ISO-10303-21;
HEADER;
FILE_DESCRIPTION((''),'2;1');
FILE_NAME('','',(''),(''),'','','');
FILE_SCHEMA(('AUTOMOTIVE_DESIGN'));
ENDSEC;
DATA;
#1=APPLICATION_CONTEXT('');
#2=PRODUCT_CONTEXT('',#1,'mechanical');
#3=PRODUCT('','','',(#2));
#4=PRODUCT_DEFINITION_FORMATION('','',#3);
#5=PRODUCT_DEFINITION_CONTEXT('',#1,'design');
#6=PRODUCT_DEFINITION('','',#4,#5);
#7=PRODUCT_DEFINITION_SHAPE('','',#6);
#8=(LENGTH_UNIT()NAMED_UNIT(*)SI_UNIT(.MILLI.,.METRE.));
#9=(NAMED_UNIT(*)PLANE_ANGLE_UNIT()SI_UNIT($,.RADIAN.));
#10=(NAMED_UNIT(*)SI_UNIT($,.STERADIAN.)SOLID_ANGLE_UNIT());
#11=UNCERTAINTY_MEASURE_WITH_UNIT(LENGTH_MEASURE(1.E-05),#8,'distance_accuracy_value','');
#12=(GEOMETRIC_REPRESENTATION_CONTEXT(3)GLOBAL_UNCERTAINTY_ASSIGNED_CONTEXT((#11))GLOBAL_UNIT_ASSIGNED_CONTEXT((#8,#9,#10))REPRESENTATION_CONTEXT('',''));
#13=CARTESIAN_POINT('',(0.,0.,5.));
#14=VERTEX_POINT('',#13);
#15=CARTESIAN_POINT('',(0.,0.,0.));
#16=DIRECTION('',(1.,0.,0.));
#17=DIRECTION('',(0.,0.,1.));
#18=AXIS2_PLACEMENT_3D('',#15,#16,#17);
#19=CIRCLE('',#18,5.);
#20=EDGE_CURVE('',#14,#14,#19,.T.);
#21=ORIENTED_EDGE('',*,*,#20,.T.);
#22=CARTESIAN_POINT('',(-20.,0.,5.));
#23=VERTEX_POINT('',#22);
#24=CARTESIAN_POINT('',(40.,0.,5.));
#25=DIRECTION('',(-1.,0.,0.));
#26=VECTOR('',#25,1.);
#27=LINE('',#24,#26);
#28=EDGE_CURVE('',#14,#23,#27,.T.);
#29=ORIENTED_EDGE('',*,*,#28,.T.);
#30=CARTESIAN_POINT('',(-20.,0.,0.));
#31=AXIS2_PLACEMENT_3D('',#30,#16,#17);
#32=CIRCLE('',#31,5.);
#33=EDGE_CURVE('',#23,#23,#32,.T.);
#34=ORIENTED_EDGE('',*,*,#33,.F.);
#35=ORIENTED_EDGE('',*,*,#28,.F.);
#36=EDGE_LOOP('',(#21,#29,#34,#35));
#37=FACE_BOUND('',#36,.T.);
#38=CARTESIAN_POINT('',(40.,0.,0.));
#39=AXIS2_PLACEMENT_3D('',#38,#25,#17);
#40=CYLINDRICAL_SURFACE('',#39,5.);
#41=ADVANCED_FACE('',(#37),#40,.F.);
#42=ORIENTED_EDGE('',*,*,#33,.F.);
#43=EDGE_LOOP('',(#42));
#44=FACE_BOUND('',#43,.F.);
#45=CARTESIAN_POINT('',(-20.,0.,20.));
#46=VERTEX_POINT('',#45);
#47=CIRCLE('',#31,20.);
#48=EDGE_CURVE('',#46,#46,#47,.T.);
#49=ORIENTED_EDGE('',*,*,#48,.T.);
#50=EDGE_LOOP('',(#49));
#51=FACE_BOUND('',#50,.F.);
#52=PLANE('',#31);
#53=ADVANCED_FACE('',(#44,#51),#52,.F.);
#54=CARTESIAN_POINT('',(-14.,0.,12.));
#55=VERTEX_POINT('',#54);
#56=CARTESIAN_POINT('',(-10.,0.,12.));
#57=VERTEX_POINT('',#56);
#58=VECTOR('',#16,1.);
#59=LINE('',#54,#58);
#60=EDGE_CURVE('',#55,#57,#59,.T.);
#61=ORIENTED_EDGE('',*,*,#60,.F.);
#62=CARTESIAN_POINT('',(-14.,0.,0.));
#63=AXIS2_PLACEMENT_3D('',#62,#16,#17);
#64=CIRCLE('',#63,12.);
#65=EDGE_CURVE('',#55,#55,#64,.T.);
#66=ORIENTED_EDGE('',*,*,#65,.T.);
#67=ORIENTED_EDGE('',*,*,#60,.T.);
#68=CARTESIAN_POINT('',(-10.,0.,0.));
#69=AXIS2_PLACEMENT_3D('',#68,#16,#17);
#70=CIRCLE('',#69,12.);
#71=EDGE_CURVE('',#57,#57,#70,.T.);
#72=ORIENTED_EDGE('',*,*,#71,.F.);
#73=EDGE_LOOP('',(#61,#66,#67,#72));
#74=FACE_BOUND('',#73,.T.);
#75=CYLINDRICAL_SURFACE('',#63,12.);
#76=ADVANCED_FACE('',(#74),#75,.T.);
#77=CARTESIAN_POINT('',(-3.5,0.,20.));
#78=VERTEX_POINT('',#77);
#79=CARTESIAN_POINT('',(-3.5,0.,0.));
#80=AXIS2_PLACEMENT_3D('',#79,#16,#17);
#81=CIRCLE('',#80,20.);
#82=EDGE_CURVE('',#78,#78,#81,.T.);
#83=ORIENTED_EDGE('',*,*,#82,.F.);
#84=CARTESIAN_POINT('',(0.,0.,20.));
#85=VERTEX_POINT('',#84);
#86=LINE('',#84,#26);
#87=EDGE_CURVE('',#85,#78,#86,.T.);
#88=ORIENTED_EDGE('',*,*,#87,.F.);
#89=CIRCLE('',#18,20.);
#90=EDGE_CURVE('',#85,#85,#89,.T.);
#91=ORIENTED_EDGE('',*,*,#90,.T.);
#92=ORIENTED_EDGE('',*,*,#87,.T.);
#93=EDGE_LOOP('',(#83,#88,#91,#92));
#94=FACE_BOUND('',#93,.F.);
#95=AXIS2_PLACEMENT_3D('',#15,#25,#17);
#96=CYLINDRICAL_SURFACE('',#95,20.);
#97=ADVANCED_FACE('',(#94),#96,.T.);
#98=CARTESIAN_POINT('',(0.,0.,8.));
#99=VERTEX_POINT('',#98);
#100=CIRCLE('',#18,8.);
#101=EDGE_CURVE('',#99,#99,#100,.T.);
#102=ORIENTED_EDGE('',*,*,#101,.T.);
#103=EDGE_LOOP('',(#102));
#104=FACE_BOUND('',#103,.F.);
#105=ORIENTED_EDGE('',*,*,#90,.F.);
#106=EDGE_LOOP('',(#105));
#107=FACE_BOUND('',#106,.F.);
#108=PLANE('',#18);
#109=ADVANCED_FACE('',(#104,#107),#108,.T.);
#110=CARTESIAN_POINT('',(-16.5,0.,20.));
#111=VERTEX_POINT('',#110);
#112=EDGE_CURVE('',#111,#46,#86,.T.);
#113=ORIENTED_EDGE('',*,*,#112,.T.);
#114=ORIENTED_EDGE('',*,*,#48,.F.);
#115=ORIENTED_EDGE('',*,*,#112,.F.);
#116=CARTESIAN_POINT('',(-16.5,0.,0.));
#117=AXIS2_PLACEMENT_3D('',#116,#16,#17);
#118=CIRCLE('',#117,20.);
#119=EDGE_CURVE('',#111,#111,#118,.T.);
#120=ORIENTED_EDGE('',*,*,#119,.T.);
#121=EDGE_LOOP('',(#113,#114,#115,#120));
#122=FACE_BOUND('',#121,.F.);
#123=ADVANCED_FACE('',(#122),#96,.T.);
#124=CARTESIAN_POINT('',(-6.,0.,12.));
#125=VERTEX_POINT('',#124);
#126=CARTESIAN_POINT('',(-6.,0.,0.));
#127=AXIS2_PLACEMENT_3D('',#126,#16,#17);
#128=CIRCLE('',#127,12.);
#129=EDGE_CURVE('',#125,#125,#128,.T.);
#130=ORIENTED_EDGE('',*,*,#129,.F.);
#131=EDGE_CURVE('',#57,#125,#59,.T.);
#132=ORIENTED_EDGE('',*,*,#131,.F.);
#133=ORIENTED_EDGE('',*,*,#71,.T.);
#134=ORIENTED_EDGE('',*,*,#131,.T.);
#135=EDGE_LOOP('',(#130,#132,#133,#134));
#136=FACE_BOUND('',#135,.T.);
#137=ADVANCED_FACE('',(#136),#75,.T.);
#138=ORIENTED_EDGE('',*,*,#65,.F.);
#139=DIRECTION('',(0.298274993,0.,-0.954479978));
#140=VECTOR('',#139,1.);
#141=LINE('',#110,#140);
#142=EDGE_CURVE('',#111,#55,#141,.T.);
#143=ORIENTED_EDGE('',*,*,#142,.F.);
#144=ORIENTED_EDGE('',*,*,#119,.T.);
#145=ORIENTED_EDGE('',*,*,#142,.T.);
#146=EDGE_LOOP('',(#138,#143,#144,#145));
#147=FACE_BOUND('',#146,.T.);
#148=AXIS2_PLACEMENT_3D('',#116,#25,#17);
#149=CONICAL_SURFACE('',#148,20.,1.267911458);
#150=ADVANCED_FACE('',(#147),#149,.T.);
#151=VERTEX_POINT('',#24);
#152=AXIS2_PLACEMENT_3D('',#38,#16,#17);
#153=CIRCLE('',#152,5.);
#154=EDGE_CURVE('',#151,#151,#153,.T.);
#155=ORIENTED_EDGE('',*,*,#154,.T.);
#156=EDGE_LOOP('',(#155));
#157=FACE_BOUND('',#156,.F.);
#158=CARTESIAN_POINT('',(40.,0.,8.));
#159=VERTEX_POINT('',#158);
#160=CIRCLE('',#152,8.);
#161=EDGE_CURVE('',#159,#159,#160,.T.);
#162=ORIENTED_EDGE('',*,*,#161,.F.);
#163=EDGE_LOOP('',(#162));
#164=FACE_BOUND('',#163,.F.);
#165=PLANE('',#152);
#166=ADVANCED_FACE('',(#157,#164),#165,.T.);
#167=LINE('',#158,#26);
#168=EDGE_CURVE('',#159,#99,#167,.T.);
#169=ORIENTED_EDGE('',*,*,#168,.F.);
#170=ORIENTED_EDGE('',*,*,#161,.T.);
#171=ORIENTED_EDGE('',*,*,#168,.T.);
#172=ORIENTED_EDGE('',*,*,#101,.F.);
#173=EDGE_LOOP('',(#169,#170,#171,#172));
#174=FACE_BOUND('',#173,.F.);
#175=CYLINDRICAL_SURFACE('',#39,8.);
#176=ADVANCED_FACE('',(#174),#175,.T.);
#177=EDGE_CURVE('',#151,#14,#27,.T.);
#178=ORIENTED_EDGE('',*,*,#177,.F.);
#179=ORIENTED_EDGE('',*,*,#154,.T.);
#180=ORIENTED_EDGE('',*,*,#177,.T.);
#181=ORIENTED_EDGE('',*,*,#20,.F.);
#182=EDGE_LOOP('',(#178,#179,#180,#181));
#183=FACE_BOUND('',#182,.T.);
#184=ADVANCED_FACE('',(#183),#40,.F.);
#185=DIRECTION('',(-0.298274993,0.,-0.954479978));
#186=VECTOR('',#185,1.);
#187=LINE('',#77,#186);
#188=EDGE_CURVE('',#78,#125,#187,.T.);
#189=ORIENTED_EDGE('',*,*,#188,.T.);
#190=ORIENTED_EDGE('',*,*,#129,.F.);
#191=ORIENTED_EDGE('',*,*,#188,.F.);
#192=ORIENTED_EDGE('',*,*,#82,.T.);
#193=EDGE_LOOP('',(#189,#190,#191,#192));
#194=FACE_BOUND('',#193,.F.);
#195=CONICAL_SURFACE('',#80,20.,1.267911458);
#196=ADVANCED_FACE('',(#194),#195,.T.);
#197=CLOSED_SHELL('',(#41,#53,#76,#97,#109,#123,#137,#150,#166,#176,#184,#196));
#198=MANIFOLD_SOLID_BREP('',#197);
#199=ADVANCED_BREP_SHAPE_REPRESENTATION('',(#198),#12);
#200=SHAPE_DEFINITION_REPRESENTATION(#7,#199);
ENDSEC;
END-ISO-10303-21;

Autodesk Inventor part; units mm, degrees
ref_plane "YZ Plane" through (0, 0, 0) normal (1, 0, 0) x (0, 1, 0)
ref_plane "XZ Plane" through (0, 0, 0) normal (0, 1, 0) x (-1, 0, 0)
ref_plane "XY Plane" through (0, 0, 0) normal (0, 0, 1) x (1, 0, 0)
sketch "Эскиз1" plane through (0, 0, 0) normal (0, 1, 0) x (-1, 0, 0)
  line L0 (0, 20) -> (20, 20)
  line L1 (20, 20) -> (20, 0)
  line L2 (20, 0) -> (0, 0)
  line L3 (20, 20) -> (14, 20)
  line L4 (14, 20) -> (14, 12)
  line L5 (14, 12) -> (6, 12)
  line L6 (6, 12) -> (6, 20)
  line L7 (20, 0) -> (-40, 0)
  line L8 (-40, 0) -> (-40, 8)
  line L9 (-40, 8) -> (0, 8)
  line L10 (-40, 0) -> (-40, 5)
  line L11 (-40, 5) -> (20, 5)
  line L12 (0, 0) -> (0, 5)
  line L13 (0, 8) -> (0, 20)
  line L14 (10, 12) -> (10, 20)
  line L15 (10, 20) -> (3.5, 20)
  line L16 (3.5, 20) -> (6, 12)
  line L17 (3.5, 20) -> (16.5, 20)
  line L18 (16.5, 20) -> (14, 12)
  dimension "d0" = 20
  dimension "d1" = 20
  dimension "d2" = 6
  dimension "d3" = 8
  dimension "d4" = 8
  dimension "d5" = 60
  dimension "d6" = 8
  dimension "d7" = 5
  dimension "d15" = 6.5
  dimension "d16" = 13
revolve "Вращение1" add sketch "Эскиз1" angle 360 about axis through (-20, 0, 0) along (1, 0, 0) contours L0 L16 L5 L18 L1 L11 L8 L9 L13
properties part number "Шкив 20"
